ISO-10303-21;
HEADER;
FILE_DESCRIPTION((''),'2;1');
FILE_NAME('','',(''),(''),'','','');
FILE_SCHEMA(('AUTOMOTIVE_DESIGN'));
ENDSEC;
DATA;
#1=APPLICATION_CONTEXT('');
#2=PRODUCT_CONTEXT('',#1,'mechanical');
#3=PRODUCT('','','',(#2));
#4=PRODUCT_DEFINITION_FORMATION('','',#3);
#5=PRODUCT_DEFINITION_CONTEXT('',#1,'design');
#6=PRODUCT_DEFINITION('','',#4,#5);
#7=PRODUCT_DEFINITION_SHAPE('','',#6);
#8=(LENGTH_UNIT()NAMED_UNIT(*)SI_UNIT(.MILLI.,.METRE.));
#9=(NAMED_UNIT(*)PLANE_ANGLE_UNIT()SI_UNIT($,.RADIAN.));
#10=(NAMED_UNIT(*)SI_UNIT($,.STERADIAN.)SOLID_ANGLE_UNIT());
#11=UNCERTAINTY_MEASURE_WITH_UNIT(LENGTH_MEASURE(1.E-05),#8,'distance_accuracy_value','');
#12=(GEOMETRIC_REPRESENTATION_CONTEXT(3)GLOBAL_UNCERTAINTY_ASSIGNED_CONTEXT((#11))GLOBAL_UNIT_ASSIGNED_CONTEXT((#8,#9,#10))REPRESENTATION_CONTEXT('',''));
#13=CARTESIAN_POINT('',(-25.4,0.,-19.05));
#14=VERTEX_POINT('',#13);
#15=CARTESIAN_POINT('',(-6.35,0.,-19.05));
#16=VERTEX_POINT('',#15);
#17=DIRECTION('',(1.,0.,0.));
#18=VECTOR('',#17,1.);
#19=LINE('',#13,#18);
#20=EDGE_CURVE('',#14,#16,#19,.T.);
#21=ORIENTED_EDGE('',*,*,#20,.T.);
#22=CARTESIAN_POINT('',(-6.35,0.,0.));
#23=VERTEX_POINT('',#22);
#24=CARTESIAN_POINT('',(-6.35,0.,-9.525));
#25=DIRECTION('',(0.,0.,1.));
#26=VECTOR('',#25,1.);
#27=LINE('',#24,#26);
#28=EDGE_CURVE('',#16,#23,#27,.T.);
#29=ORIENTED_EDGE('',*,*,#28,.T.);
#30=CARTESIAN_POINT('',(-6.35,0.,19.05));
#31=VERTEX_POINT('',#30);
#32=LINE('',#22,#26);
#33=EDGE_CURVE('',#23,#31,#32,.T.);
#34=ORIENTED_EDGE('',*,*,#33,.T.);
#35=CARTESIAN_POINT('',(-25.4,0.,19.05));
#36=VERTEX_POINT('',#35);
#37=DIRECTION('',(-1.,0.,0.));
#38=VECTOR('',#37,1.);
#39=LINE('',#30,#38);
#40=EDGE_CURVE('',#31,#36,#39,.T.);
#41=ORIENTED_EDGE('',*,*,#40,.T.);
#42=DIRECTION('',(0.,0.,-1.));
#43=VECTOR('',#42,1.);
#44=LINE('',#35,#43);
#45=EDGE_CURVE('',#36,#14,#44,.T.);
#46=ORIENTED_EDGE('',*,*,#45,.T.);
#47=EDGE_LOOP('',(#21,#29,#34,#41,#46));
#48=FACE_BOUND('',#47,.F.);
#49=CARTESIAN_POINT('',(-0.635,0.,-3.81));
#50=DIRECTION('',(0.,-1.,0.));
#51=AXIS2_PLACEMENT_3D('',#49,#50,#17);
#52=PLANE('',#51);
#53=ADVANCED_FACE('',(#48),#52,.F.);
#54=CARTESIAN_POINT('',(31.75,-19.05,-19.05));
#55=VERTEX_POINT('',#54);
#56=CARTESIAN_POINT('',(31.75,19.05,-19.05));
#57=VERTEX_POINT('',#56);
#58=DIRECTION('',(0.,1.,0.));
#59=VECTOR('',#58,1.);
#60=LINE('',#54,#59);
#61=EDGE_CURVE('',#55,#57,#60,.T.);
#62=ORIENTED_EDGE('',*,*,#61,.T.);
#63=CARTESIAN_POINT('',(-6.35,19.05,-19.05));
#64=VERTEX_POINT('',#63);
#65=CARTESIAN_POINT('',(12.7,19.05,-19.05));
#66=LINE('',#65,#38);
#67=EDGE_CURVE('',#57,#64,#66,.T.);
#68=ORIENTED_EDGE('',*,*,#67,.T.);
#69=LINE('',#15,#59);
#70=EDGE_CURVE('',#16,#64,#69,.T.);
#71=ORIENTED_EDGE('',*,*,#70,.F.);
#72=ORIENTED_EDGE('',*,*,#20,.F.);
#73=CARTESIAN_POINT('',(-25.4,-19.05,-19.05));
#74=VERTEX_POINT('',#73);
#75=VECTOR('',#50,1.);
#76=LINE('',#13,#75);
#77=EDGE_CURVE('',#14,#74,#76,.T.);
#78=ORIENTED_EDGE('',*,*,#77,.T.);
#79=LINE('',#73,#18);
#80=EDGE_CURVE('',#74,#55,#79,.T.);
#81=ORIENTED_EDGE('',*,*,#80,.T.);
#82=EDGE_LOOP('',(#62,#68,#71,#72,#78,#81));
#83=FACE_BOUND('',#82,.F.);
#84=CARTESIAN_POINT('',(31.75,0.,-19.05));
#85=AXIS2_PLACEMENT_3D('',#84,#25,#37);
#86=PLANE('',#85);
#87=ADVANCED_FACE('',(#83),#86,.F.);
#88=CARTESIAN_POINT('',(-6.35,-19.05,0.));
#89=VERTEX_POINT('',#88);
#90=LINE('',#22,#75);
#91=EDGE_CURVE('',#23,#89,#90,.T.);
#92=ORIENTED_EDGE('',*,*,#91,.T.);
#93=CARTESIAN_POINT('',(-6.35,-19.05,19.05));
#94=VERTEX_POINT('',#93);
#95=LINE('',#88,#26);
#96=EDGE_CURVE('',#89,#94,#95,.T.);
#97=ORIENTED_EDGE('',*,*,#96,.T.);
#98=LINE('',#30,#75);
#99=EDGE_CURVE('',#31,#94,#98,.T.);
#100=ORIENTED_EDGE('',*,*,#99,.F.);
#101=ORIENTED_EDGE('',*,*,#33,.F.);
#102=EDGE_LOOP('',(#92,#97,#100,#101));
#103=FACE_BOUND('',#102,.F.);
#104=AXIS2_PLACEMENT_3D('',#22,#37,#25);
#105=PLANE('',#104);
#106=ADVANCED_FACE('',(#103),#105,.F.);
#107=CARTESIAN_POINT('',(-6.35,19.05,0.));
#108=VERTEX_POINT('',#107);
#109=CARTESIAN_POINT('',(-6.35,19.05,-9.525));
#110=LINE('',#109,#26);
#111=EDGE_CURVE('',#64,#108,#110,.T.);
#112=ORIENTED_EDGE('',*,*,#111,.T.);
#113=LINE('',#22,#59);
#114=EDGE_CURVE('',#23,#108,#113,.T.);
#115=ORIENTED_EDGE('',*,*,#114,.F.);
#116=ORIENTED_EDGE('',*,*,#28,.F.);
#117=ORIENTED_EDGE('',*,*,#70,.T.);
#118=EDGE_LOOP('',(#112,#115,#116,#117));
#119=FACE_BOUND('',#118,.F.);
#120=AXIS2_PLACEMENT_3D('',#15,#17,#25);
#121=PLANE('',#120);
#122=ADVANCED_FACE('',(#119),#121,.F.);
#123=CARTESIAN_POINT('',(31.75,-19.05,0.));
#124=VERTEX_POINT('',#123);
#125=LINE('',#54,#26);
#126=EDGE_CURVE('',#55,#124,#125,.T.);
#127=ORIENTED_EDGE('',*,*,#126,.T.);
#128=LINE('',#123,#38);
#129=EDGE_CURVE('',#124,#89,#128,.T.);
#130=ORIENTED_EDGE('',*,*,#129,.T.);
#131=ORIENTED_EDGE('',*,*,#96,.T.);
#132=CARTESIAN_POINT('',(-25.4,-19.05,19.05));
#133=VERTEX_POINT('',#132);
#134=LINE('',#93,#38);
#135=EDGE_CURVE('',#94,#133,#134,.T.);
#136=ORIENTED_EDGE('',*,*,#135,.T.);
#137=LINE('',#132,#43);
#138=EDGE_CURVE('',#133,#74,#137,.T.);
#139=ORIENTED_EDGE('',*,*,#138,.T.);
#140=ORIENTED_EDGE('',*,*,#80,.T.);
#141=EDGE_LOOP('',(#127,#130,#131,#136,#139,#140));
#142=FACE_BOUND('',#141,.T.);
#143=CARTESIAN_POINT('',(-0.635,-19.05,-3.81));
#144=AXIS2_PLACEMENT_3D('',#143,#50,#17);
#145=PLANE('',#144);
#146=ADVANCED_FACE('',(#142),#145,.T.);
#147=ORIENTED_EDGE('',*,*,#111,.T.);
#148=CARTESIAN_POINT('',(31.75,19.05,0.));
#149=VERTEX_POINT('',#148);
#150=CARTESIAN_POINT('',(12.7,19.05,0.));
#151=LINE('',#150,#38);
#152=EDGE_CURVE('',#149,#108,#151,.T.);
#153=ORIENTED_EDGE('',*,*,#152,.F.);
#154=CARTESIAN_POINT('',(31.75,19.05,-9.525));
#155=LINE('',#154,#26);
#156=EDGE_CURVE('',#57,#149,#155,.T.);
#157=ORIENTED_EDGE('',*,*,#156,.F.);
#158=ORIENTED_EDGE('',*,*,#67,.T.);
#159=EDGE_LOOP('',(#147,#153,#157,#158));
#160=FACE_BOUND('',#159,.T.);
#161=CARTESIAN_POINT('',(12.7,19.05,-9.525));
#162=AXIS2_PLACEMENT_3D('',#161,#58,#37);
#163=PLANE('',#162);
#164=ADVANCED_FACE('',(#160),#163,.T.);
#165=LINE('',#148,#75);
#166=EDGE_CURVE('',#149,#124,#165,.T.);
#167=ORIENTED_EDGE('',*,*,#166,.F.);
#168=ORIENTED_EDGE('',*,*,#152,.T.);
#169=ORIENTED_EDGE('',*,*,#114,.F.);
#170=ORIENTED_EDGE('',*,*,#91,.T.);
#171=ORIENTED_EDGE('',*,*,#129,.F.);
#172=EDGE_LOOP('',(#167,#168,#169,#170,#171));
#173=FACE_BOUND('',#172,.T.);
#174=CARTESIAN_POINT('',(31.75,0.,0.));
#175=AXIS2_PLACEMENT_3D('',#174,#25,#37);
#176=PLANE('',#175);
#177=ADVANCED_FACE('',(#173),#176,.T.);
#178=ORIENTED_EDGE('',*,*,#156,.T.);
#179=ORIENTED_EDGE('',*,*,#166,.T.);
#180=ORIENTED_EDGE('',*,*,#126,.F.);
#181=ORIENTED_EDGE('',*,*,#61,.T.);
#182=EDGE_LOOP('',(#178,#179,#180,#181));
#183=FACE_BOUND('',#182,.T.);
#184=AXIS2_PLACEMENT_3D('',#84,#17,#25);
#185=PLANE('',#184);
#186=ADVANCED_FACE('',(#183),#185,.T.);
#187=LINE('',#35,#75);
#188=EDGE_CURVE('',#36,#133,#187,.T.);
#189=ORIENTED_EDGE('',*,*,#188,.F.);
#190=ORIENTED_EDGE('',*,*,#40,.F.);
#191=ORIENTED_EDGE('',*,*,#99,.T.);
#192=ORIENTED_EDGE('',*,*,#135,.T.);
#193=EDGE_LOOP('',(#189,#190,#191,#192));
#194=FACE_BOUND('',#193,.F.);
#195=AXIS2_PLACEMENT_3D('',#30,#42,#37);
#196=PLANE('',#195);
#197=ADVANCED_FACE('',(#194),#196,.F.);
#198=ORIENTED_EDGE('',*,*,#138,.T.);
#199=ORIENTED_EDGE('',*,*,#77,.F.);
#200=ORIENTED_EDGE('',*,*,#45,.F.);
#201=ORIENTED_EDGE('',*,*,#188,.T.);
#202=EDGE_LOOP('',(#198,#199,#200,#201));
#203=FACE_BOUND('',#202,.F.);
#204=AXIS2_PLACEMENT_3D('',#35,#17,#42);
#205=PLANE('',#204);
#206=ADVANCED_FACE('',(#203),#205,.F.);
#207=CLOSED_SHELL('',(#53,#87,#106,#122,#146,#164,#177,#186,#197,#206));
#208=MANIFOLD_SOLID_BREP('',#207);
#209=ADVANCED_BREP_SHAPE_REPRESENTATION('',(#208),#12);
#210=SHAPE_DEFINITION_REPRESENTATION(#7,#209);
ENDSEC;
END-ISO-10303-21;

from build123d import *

# Parameters (mm, degrees)
F1_DEPTH = 19.05
F2_W     = 38.1
F2_H     = 19.05
F3_DEPTH = 19.05


with BuildPart() as f1:
    # F0 (on Front) → F1 (new body)
    with BuildSketch(Plane.XZ):
        Polygon((-25.4, 19.05), (-25.4, -19.05), (31.75, -19.05), (31.75, 0), (-6.35, 0), (-6.35, 19.05), align=None)
    extrude(amount=F1_DEPTH)

    # F2 (on face) → F3 (join)
    with BuildSketch(Plane(origin=(0, 0, 0), x_dir=(-1, 0, 0), z_dir=(0, 1, 0))):
        with Locations((-12.7, -9.525)):
            Rectangle(F2_W, F2_H)
    extrude(amount=F3_DEPTH)


solid = f1.part
